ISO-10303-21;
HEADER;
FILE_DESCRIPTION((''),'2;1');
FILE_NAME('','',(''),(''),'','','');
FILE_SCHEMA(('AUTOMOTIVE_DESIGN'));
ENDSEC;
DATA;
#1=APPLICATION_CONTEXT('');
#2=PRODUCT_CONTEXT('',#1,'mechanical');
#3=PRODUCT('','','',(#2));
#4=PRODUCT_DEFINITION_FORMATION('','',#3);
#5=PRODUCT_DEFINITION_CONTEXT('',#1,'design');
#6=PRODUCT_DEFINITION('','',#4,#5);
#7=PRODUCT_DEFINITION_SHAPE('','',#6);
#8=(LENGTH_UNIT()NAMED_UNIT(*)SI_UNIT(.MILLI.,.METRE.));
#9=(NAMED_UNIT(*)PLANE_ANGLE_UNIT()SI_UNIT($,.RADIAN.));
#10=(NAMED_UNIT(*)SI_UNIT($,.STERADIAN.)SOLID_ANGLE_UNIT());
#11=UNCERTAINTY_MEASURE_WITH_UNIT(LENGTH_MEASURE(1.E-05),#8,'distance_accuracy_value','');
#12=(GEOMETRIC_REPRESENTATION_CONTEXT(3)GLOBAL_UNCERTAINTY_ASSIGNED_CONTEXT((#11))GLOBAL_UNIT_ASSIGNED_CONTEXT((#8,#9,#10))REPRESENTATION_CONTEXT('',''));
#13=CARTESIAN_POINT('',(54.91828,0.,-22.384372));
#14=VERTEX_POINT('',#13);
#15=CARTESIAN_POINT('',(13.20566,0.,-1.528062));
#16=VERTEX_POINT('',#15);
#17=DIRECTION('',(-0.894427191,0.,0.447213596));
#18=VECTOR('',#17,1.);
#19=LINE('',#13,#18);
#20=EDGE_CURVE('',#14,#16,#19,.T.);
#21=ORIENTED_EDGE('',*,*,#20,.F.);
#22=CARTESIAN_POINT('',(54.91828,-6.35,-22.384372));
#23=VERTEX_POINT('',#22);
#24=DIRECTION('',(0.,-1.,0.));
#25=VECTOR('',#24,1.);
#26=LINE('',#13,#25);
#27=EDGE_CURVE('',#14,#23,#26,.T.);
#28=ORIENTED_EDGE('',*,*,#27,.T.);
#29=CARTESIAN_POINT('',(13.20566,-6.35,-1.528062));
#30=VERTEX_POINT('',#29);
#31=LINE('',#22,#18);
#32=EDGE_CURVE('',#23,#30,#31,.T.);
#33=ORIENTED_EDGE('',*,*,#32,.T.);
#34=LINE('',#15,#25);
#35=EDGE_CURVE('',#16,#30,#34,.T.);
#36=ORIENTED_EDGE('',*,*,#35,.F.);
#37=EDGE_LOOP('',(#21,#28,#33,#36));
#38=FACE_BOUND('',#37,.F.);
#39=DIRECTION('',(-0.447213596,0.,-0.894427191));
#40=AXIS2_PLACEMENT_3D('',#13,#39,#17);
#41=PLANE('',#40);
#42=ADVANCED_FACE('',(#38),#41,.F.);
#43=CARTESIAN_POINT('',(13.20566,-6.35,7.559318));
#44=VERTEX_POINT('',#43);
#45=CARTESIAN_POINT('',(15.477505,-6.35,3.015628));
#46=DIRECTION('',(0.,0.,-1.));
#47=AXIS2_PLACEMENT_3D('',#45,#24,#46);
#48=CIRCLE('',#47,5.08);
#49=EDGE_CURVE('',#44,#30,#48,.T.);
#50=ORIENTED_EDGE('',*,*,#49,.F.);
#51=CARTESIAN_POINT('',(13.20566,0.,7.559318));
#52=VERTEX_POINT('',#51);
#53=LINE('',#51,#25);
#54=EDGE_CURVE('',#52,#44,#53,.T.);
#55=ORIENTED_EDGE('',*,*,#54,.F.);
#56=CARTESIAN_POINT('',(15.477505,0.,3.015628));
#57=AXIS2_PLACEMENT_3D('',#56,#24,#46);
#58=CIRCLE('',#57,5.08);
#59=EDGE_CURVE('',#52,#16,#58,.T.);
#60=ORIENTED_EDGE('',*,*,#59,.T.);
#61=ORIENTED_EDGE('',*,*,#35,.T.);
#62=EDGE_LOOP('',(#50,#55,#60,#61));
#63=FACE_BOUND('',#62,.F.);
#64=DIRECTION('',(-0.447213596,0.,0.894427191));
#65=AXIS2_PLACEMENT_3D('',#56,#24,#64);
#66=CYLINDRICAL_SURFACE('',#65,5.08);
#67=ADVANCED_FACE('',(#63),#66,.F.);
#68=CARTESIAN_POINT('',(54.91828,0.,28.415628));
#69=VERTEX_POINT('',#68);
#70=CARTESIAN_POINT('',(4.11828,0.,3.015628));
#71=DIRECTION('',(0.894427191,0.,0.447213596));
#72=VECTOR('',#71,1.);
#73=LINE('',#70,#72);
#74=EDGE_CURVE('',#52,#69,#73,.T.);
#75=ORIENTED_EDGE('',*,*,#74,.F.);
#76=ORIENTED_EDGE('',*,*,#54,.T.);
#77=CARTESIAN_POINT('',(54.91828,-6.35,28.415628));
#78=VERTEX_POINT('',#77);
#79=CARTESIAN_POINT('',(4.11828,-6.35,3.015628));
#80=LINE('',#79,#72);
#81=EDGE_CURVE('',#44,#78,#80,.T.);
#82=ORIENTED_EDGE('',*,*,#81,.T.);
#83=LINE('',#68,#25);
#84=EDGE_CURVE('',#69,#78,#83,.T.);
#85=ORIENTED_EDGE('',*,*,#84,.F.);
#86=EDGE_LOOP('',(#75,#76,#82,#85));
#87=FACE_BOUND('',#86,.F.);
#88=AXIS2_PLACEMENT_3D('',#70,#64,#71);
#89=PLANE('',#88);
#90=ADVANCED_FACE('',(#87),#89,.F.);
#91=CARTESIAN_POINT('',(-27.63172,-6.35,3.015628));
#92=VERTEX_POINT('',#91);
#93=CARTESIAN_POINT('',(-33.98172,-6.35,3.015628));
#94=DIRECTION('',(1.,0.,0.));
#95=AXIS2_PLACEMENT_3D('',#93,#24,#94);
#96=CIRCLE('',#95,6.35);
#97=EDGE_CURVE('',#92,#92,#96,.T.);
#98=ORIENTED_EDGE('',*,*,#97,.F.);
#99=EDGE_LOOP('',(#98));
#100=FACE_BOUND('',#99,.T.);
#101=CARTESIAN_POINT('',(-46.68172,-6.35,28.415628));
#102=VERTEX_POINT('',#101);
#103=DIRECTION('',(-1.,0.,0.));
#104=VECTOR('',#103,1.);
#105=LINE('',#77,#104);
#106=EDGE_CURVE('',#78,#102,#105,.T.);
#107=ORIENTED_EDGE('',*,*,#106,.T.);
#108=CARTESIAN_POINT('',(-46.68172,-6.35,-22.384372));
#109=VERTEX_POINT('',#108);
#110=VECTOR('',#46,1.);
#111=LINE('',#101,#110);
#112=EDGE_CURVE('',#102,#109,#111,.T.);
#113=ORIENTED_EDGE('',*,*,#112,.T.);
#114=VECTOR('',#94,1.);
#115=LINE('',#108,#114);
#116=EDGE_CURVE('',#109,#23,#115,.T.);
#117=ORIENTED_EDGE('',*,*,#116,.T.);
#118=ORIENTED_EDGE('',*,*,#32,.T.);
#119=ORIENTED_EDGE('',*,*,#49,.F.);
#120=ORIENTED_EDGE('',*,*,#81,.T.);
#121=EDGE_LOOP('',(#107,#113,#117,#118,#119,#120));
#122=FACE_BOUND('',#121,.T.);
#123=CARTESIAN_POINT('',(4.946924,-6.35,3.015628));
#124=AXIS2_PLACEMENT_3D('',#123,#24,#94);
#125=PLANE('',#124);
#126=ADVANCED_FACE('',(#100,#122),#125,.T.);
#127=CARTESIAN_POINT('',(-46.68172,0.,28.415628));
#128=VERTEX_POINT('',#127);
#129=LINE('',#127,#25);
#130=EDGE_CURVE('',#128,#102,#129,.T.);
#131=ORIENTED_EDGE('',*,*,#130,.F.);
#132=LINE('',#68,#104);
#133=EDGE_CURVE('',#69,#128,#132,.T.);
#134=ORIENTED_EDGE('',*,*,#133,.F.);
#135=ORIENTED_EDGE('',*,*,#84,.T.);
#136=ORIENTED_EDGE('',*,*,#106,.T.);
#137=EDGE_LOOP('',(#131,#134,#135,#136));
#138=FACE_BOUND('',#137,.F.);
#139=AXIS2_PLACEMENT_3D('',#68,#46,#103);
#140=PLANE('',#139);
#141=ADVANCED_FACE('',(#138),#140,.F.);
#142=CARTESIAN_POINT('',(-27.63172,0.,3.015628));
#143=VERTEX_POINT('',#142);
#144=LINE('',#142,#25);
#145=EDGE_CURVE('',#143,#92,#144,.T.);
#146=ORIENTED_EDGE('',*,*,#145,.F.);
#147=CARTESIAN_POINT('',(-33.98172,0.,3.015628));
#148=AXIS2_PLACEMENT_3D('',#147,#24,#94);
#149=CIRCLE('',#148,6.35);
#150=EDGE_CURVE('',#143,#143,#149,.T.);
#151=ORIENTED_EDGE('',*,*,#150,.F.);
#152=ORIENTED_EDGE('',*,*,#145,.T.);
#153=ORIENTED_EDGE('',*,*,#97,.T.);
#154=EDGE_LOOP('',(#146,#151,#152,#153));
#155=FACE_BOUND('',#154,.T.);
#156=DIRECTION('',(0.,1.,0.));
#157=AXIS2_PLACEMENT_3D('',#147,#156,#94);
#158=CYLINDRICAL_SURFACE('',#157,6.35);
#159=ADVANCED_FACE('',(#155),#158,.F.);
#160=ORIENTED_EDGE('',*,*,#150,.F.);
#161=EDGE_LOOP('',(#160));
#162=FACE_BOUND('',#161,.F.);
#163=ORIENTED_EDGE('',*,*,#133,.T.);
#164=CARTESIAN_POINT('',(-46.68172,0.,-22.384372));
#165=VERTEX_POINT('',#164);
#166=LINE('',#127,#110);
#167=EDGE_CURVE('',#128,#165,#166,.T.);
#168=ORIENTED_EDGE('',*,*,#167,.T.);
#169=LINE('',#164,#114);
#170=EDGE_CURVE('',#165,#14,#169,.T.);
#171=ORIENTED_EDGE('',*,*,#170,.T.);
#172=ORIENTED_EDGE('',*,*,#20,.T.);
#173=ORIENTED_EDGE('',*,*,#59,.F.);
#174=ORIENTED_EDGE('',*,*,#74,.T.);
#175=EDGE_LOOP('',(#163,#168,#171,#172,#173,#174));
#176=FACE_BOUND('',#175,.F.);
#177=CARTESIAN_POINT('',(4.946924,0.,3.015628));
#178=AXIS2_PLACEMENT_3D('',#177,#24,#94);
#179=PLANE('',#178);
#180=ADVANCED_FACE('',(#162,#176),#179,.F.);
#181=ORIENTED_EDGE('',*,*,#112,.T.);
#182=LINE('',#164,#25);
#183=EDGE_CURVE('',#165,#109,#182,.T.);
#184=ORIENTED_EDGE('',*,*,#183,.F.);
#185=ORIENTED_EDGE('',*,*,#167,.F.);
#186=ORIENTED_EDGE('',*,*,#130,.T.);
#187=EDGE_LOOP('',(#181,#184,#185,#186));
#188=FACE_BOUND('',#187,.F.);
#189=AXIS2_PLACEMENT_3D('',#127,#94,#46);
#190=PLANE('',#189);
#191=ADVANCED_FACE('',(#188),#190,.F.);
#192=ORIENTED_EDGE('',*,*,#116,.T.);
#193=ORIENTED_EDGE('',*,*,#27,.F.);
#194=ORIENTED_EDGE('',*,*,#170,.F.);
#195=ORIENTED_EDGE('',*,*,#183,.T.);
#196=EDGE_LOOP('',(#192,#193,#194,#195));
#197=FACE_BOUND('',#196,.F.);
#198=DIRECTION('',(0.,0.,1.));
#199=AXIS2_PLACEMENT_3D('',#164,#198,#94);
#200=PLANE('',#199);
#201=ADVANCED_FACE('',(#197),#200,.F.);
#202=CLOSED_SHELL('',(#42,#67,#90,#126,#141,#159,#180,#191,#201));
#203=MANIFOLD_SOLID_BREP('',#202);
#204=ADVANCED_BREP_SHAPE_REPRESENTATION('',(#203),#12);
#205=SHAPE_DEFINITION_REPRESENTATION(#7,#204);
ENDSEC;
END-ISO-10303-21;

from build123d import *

# Parameters (mm, degrees)
F0_R     = 6.35
F1_DEPTH = 6.35
F2_R     = 5.08


with BuildPart() as f1:
    # F0 (on Front) → F1 (new body)
    with BuildSketch(Plane.XZ):
        Polygon((54.91828, 28.415628), (-46.68172, 28.415628), (-46.68172, -22.384372), (54.91828, -22.384372), (4.11828, 3.015628), align=None)
        with Locations((-33.98172, 3.015628)):
            Circle(F0_R, mode=Mode.SUBTRACT)
    extrude(amount=F1_DEPTH)

    # F2
    f2_edges = [f1.edges().sort_by_distance(p)[0] for p in [
        (4.11828, -3.175, 3.015628),
    ]]
    fillet(f2_edges, radius=F2_R)


solid = f1.part
